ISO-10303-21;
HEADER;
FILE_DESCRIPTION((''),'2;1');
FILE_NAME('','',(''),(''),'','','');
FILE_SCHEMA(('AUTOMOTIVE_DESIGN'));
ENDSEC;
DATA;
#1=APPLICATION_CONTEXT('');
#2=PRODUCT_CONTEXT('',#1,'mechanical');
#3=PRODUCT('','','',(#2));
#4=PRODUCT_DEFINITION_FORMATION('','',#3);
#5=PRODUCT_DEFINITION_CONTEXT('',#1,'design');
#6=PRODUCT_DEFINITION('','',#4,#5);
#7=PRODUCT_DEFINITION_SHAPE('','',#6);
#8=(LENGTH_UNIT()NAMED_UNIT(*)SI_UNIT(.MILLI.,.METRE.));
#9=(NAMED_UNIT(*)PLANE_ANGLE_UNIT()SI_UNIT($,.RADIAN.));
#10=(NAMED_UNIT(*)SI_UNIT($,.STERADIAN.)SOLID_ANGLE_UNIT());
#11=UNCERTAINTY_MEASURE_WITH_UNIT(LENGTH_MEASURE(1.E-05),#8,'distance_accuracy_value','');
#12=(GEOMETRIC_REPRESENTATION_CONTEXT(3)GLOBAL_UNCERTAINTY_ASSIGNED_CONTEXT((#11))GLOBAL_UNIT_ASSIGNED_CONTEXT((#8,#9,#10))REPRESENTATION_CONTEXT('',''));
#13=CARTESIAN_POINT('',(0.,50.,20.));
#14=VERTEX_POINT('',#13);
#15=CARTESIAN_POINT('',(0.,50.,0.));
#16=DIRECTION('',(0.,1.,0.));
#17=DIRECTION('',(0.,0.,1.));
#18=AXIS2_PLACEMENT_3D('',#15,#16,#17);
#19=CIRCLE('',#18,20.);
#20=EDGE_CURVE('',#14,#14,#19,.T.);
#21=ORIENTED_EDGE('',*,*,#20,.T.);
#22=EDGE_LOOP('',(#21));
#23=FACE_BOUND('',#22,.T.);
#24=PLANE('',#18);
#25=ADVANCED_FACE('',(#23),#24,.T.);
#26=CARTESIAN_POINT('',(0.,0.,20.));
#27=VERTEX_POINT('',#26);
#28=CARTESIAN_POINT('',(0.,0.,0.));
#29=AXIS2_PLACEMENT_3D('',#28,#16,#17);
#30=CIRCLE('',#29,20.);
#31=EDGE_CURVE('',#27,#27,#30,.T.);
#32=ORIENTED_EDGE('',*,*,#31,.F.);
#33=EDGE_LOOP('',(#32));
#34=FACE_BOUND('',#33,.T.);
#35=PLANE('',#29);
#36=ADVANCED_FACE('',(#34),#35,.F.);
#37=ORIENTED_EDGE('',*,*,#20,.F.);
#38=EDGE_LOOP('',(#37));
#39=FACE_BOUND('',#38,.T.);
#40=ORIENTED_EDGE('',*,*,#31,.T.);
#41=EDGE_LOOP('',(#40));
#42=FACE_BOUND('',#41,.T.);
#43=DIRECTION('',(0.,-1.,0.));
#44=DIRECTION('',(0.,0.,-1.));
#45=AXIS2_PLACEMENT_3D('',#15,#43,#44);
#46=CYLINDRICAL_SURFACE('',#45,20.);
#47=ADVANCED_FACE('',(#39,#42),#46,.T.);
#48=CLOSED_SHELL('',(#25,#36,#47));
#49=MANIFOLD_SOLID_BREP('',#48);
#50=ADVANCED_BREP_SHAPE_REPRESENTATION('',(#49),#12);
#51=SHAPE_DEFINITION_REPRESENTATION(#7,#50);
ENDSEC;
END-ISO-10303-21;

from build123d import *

# Parameters (mm, degrees)
SKETCH_1_R      = 20
EXTRUDE_1_DEPTH = 50


with BuildPart() as part:
    # 草图1 → 凸台-拉伸1 (new body)
    with BuildSketch(Plane(origin=(0, 0, 0), x_dir=(1, 0, 0), z_dir=(0, 1, 0))):
        Circle(SKETCH_1_R)
    extrude(amount=EXTRUDE_1_DEPTH)


solid = part.part
